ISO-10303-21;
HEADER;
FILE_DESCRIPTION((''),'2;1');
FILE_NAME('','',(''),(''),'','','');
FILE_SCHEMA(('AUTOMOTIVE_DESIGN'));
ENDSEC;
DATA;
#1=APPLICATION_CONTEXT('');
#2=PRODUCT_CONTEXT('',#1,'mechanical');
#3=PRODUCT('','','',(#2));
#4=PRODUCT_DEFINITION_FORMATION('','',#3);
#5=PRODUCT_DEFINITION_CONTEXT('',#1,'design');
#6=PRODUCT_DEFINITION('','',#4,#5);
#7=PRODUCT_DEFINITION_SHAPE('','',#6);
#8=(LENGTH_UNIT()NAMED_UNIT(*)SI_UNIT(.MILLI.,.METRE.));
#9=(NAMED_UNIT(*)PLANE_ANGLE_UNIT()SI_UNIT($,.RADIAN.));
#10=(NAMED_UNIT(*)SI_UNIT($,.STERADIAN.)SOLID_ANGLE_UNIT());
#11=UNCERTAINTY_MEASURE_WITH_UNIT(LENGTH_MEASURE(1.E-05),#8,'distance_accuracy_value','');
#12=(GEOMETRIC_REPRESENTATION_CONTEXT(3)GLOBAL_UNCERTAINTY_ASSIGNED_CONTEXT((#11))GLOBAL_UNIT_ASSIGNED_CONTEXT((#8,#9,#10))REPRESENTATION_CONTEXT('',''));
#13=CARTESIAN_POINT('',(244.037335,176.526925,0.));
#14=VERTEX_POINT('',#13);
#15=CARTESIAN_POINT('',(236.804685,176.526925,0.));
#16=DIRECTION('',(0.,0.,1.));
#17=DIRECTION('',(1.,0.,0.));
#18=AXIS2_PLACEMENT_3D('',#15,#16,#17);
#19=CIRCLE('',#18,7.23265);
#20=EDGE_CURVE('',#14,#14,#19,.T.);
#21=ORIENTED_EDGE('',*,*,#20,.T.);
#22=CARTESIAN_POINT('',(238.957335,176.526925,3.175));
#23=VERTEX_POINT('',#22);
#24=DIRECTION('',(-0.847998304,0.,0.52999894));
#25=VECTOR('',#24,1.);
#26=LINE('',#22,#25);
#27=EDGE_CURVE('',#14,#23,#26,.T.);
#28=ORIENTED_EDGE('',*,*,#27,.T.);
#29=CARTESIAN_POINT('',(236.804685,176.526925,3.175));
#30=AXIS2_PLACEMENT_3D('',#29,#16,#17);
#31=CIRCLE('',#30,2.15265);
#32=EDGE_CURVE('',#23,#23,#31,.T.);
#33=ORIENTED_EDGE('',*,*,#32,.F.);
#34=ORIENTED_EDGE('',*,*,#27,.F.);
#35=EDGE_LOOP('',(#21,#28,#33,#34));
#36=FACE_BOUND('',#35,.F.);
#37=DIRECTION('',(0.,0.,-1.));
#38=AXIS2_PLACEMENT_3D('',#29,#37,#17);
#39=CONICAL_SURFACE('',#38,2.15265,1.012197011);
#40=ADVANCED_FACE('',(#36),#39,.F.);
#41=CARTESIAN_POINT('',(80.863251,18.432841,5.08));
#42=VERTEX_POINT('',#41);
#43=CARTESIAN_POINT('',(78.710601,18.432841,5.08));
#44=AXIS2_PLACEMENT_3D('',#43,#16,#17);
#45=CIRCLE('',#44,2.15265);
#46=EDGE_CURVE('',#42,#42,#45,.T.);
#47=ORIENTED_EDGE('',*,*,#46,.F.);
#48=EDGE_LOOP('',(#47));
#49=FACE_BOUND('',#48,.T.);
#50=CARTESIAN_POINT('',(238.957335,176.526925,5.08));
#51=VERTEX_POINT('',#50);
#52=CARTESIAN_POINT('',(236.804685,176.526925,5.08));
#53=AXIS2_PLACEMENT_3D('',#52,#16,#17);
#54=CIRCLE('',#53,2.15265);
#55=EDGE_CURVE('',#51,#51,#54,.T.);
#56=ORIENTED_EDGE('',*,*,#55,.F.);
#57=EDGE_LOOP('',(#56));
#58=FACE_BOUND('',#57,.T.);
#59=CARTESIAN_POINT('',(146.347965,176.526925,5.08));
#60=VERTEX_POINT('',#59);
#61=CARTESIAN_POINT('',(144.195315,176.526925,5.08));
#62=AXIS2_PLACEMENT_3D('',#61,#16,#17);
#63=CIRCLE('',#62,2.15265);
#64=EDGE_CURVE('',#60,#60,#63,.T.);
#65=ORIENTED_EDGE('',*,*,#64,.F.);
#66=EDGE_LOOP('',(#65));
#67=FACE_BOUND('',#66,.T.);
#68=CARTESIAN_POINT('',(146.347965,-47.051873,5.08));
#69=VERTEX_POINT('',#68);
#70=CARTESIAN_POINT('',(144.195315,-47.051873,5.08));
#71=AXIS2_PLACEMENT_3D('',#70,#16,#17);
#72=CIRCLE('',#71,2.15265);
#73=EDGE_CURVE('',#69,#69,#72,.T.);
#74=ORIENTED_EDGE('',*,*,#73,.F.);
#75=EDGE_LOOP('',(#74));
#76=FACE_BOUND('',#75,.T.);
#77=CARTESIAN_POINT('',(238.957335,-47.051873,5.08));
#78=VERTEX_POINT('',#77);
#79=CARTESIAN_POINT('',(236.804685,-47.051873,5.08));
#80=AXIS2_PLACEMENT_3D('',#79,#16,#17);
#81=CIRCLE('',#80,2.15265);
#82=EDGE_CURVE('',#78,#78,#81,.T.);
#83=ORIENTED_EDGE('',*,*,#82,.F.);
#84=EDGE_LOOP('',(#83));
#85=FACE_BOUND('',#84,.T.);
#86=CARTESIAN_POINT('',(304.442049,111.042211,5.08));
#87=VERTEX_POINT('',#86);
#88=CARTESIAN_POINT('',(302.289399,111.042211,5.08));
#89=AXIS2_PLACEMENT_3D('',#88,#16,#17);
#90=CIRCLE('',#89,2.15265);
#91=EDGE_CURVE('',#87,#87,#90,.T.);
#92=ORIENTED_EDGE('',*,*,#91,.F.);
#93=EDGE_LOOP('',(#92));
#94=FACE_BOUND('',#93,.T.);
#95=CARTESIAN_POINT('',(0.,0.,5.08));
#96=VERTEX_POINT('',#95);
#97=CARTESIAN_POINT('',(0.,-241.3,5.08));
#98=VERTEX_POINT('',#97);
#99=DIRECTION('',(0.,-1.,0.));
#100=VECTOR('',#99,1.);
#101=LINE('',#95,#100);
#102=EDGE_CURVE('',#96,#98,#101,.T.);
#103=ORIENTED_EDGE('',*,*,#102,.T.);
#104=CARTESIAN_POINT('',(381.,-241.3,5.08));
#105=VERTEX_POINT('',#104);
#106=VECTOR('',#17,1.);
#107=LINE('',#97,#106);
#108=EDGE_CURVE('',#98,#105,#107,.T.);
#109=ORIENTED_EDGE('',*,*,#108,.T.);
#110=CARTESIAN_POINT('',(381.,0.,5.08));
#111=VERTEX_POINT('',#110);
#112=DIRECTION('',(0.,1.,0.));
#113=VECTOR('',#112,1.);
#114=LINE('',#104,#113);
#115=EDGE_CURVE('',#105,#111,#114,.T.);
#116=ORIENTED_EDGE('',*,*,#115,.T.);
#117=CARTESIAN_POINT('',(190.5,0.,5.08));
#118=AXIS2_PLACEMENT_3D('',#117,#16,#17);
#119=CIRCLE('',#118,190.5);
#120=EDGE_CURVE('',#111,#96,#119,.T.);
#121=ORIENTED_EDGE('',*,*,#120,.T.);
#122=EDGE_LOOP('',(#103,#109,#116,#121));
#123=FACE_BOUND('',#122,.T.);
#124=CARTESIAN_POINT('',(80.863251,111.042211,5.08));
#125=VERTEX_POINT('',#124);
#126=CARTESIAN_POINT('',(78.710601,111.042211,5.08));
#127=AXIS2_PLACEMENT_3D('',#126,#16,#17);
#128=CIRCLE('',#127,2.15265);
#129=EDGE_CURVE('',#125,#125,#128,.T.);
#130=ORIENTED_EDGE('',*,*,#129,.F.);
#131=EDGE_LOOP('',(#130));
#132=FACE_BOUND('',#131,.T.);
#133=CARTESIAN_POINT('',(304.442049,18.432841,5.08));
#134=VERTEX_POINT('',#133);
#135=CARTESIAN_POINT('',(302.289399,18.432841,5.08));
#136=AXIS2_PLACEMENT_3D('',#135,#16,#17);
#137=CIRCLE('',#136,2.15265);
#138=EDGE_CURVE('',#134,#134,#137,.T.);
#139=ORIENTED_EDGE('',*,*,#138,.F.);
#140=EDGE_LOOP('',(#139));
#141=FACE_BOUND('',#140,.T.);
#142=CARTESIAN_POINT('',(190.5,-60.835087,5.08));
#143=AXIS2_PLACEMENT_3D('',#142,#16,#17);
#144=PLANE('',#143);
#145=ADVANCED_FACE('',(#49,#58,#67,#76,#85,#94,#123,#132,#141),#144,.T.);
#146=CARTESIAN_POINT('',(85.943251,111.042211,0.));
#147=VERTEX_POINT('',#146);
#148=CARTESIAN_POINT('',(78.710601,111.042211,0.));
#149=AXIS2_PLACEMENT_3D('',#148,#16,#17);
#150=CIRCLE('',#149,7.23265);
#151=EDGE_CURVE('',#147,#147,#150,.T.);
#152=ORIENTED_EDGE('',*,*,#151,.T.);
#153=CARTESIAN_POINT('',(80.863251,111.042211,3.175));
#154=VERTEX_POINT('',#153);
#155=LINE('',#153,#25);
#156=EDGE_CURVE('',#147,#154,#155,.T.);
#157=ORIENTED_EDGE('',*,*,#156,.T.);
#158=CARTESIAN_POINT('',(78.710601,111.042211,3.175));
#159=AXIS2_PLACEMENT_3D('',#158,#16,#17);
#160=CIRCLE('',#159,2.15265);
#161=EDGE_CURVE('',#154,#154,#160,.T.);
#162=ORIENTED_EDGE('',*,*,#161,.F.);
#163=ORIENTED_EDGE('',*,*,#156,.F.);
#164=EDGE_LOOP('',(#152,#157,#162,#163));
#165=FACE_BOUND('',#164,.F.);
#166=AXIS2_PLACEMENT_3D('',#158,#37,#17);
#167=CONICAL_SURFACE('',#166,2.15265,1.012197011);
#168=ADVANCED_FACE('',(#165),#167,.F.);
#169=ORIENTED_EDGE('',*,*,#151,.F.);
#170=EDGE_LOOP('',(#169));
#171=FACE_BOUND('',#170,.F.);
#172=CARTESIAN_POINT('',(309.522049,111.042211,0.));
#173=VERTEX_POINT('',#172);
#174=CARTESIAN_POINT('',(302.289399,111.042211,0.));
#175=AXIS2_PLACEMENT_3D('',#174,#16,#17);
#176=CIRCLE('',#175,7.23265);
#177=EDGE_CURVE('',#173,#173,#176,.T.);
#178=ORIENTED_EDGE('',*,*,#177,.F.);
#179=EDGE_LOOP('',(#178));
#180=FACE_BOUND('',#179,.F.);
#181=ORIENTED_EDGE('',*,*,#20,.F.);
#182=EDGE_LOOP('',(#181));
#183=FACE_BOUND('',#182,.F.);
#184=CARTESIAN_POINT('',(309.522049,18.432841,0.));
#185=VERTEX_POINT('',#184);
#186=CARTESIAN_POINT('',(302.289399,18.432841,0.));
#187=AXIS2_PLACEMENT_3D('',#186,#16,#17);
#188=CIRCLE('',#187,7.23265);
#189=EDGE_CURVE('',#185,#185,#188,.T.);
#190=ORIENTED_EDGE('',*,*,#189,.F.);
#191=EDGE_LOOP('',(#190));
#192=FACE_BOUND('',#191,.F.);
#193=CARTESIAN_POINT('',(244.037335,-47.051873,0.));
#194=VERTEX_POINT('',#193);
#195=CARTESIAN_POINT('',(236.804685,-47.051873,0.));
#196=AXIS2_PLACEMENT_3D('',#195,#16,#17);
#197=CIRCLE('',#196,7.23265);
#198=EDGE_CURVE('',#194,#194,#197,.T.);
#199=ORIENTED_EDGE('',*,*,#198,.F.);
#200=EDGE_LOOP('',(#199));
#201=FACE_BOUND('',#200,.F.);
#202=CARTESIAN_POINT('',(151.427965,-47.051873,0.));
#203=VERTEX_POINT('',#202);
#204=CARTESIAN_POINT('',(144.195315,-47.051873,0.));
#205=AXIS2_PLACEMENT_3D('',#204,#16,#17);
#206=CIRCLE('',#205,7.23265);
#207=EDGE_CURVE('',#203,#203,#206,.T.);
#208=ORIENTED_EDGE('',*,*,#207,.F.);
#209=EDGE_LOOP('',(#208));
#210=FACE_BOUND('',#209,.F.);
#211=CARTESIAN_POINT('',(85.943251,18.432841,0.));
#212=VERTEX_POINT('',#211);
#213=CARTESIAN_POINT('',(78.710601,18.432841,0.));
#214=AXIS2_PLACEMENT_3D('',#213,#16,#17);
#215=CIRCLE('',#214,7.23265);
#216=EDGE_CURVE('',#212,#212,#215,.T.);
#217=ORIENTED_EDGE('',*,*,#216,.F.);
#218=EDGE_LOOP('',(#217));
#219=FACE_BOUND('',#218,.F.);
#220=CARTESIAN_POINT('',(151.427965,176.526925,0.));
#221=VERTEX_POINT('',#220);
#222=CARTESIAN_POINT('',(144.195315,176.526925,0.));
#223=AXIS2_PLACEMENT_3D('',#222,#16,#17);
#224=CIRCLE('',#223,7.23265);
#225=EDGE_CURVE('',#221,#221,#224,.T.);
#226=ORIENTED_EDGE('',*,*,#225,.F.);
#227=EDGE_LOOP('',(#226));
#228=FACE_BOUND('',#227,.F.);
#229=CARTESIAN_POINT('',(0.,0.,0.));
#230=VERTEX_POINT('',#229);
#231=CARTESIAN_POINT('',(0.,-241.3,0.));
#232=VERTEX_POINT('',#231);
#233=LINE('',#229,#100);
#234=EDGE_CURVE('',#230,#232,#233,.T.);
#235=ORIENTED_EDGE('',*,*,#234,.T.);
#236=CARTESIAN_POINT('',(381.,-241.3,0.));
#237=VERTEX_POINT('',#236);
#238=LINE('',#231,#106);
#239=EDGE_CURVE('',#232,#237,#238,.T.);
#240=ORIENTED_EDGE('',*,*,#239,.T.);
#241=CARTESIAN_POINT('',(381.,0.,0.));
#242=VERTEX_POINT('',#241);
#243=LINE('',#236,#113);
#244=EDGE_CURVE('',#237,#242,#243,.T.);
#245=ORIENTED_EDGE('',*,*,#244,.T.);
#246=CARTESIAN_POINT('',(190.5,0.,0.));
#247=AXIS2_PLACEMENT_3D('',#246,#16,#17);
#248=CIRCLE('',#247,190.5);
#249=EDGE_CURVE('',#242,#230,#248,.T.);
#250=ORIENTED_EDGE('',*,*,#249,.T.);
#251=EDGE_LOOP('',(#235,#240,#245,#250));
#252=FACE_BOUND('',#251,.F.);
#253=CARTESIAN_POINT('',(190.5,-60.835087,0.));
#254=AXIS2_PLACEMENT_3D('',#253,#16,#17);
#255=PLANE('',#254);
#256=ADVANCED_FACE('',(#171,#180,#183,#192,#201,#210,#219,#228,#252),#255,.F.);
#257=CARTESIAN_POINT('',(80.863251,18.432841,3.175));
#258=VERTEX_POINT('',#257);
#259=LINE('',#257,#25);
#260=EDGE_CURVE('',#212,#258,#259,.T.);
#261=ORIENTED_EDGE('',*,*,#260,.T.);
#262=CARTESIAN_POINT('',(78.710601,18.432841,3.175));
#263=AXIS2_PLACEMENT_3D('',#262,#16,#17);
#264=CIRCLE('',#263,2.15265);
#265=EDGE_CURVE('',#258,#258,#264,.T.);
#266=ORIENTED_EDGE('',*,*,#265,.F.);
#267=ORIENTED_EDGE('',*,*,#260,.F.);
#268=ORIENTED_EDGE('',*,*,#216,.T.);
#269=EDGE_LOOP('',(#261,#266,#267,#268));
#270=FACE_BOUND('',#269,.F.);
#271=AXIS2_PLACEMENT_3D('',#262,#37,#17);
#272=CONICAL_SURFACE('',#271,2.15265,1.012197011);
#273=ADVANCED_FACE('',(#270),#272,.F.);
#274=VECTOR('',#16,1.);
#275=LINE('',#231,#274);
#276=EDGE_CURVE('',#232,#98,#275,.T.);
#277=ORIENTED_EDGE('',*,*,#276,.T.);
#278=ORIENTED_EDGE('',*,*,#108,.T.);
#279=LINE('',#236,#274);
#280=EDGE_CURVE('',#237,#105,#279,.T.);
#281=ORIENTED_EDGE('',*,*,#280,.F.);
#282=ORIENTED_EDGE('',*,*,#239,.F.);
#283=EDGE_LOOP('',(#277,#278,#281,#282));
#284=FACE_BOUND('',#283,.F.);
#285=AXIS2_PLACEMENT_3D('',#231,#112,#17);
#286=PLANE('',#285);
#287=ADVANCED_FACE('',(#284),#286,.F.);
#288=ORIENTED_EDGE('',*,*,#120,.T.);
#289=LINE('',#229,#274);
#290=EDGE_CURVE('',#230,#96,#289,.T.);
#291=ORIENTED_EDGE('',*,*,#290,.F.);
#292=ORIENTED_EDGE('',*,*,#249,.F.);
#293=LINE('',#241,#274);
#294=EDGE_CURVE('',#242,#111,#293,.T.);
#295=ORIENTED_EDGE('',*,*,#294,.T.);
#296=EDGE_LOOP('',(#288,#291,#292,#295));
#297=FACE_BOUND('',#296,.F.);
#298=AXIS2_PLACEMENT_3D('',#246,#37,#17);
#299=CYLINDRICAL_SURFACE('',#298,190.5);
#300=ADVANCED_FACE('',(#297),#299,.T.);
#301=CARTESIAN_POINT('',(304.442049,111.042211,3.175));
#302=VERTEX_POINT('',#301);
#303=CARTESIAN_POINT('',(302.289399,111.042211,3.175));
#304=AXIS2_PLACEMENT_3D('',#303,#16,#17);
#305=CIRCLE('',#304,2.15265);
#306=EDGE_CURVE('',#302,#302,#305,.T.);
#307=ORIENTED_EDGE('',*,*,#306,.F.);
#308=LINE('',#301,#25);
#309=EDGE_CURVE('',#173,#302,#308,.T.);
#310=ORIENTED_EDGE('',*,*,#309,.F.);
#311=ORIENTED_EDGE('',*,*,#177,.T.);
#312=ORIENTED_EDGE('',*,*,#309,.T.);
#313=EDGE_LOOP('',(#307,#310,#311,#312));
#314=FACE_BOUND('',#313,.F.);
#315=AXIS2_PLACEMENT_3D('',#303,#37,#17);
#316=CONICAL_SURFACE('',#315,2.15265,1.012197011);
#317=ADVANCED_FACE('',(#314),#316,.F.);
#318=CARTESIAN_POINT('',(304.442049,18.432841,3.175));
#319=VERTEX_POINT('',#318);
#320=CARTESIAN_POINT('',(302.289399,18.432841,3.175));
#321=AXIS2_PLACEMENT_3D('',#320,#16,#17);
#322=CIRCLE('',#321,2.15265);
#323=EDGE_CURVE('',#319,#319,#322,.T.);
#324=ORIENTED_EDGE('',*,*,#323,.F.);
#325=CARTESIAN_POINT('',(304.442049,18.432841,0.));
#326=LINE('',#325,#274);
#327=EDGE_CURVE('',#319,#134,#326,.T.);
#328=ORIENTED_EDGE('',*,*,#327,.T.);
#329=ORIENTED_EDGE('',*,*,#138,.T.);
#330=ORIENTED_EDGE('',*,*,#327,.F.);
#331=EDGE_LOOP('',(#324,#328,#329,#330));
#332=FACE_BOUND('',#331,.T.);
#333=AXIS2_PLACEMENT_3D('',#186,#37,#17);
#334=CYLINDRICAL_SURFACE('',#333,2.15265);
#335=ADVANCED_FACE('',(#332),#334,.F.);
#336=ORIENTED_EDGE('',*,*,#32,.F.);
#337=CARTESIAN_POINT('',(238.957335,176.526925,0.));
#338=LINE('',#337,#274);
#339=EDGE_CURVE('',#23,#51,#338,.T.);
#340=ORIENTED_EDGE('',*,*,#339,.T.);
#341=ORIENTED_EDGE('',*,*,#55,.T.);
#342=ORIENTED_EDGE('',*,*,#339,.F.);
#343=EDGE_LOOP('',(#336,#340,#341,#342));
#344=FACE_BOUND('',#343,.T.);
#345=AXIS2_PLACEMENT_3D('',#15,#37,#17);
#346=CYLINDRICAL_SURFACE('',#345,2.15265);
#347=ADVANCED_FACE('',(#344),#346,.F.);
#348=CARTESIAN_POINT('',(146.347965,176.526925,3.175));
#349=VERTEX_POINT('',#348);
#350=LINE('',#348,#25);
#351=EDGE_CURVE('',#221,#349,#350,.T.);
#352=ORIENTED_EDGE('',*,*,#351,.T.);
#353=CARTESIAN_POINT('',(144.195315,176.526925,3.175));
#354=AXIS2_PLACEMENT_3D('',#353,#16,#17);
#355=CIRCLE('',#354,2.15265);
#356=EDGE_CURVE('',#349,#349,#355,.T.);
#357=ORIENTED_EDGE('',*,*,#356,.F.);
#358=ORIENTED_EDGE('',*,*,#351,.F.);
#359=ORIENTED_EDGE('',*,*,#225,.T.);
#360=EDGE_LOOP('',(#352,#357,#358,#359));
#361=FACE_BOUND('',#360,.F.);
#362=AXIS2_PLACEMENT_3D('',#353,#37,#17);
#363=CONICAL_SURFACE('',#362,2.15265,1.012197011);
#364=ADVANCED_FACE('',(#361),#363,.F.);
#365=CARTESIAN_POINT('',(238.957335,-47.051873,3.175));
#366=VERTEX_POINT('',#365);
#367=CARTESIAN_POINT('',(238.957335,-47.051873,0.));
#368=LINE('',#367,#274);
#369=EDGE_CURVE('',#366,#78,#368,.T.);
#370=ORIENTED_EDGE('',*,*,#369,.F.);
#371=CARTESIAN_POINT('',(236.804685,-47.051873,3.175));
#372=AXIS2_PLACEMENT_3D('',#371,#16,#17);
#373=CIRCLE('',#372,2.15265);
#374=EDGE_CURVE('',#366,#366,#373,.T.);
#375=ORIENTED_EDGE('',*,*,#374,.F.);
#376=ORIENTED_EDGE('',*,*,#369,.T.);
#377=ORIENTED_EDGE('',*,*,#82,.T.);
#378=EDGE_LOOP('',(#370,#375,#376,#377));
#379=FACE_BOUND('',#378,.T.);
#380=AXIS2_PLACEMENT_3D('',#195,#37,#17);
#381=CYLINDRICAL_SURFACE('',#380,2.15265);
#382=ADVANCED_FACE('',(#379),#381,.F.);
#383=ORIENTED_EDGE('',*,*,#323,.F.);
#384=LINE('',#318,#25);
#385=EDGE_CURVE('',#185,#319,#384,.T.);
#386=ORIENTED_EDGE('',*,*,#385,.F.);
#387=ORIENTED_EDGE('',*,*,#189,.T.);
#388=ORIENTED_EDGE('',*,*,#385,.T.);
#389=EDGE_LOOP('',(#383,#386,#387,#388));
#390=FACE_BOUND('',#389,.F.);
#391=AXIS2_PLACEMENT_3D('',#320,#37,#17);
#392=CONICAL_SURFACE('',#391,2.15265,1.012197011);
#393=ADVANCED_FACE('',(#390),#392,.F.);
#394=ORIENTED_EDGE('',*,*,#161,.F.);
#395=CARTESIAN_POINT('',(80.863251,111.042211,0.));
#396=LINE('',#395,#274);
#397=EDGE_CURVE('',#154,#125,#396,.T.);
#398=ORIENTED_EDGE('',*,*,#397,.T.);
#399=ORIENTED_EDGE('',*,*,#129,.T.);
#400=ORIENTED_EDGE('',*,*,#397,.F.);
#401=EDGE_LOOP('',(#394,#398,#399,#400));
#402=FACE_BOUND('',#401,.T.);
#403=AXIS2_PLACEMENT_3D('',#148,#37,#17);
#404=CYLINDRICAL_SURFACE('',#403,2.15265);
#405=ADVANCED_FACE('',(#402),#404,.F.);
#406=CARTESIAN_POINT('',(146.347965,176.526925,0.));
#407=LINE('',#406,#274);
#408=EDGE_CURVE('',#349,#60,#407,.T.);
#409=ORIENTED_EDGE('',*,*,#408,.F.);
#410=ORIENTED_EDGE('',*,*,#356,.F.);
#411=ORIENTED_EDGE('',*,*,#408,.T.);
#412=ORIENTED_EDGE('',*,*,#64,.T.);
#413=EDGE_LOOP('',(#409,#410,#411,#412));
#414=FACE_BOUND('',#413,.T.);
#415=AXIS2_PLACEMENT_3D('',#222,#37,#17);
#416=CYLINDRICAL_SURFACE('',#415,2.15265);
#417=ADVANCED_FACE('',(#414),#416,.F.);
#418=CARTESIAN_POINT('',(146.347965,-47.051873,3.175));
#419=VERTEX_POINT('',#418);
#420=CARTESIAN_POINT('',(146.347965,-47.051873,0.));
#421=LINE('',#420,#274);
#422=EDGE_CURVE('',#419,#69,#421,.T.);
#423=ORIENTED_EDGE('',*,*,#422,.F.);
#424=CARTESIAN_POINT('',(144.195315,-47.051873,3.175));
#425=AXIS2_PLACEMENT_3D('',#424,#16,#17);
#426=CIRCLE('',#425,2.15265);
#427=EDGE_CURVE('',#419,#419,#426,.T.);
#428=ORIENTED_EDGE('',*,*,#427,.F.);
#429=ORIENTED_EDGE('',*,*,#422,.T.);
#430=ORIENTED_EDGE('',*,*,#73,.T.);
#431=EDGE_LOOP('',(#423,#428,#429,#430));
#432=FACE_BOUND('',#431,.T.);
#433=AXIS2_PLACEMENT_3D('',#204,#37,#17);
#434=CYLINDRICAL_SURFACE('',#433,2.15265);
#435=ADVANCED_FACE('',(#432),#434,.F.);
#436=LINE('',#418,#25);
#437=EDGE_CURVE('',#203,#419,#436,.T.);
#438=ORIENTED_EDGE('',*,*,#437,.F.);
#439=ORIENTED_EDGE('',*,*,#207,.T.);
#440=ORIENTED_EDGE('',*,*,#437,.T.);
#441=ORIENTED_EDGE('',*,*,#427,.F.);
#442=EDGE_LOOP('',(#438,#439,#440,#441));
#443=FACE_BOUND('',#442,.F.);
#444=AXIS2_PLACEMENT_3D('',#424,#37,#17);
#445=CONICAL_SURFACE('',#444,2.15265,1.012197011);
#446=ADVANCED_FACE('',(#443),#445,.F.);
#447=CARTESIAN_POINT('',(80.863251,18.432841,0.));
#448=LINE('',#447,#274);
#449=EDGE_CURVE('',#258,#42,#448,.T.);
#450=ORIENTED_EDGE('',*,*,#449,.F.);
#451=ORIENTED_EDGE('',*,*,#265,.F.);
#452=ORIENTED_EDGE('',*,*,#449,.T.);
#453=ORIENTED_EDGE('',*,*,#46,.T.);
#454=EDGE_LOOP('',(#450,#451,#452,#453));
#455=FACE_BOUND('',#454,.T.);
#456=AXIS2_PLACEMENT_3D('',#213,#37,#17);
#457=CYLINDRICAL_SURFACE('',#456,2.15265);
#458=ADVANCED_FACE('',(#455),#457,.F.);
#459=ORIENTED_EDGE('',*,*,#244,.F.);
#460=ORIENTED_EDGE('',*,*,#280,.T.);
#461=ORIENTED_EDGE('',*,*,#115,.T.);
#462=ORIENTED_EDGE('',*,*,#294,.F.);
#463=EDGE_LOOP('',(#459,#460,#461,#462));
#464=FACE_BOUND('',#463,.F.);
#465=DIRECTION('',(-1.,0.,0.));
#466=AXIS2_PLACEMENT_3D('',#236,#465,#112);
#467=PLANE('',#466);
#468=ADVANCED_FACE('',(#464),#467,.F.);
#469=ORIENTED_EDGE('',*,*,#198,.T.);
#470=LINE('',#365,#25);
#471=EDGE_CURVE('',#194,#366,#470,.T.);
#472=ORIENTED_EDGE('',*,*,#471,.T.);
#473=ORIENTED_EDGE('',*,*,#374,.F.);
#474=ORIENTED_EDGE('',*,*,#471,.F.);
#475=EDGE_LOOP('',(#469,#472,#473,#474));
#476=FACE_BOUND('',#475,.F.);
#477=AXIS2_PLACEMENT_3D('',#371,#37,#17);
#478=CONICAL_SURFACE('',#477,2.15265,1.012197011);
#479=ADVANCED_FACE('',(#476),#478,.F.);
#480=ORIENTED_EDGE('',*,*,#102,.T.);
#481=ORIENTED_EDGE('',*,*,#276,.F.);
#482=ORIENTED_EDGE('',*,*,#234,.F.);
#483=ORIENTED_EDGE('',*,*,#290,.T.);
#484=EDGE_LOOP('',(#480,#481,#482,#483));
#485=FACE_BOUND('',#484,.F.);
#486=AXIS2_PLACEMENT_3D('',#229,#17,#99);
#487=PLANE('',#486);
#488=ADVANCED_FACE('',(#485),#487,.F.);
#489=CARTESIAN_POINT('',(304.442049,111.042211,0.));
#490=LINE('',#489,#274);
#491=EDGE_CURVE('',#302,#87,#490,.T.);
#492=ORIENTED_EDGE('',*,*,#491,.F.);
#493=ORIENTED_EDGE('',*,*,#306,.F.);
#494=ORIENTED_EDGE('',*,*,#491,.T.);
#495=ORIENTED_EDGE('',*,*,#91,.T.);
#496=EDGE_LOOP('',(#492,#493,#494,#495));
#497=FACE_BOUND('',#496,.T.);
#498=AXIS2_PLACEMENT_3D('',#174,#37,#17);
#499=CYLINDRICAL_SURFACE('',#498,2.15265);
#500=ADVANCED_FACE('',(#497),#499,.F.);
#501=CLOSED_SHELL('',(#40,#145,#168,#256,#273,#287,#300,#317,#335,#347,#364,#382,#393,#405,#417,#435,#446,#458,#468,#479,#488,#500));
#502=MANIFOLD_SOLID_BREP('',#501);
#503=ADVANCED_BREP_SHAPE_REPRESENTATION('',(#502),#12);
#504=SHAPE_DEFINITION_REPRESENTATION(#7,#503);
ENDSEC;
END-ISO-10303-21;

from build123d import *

# Parameters (mm, degrees)
F0_R     = 2.15265
F1_DEPTH = 5.08
F2_SIZE2 = 3.175
F2_SIZE  = 5.08


with BuildPart() as f1:
    # F0 (on Top) → F1 (new body)
    with BuildSketch(Plane.XY):
        with BuildLine():
            Line((0, 0), (0, -241.3))
            Line((0, -241.3), (381, -241.3))
            Line((381, -241.3), (381, 0))
            ThreePointArc((381, 0), (190.5, 190.5), (0, 0))
        make_face()
        with Locations((144.1953146719, -47.0518732206)):
            Circle(F0_R, mode=Mode.SUBTRACT)
        with Locations((236.8046853281, -47.0518732206)):
            Circle(F0_R, mode=Mode.SUBTRACT)
        with Locations((78.7106006794, 18.4328407719)):
            Circle(F0_R, mode=Mode.SUBTRACT)
        with Locations((78.7106006794, 111.0422114281)):
            Circle(F0_R, mode=Mode.SUBTRACT)
        with Locations((144.1953146719, 176.5269254206)):
            Circle(F0_R, mode=Mode.SUBTRACT)
        with Locations((302.2893993206, 18.4328407719)):
            Circle(F0_R, mode=Mode.SUBTRACT)
        with Locations((236.8046853281, 176.5269254206)):
            Circle(F0_R, mode=Mode.SUBTRACT)
        with Locations((302.2893993206, 111.0422114281)):
            Circle(F0_R, mode=Mode.SUBTRACT)
    extrude(amount=F1_DEPTH)

    # F2
    f2_edges = [f1.edges().sort_by_distance(p)[0] for p in [
        (234.652035, -47.051873, 0),
        (300.136749, 18.432841, 0),
        (300.136749, 111.042211, 0),
        (142.042665, -47.051873, 0),
        (76.557951, 18.432841, 0),
        (76.557951, 111.042211, 0),
        (142.042665, 176.526925, 0),
        (234.652035, 176.526925, 0),
    ]]
    f2_side = f1.faces().sort_by_distance((190.5, -43.613239, 0))[0]
    chamfer(f2_edges, length=F2_SIZE, length2=F2_SIZE2, reference=f2_side)


solid = f1.part
